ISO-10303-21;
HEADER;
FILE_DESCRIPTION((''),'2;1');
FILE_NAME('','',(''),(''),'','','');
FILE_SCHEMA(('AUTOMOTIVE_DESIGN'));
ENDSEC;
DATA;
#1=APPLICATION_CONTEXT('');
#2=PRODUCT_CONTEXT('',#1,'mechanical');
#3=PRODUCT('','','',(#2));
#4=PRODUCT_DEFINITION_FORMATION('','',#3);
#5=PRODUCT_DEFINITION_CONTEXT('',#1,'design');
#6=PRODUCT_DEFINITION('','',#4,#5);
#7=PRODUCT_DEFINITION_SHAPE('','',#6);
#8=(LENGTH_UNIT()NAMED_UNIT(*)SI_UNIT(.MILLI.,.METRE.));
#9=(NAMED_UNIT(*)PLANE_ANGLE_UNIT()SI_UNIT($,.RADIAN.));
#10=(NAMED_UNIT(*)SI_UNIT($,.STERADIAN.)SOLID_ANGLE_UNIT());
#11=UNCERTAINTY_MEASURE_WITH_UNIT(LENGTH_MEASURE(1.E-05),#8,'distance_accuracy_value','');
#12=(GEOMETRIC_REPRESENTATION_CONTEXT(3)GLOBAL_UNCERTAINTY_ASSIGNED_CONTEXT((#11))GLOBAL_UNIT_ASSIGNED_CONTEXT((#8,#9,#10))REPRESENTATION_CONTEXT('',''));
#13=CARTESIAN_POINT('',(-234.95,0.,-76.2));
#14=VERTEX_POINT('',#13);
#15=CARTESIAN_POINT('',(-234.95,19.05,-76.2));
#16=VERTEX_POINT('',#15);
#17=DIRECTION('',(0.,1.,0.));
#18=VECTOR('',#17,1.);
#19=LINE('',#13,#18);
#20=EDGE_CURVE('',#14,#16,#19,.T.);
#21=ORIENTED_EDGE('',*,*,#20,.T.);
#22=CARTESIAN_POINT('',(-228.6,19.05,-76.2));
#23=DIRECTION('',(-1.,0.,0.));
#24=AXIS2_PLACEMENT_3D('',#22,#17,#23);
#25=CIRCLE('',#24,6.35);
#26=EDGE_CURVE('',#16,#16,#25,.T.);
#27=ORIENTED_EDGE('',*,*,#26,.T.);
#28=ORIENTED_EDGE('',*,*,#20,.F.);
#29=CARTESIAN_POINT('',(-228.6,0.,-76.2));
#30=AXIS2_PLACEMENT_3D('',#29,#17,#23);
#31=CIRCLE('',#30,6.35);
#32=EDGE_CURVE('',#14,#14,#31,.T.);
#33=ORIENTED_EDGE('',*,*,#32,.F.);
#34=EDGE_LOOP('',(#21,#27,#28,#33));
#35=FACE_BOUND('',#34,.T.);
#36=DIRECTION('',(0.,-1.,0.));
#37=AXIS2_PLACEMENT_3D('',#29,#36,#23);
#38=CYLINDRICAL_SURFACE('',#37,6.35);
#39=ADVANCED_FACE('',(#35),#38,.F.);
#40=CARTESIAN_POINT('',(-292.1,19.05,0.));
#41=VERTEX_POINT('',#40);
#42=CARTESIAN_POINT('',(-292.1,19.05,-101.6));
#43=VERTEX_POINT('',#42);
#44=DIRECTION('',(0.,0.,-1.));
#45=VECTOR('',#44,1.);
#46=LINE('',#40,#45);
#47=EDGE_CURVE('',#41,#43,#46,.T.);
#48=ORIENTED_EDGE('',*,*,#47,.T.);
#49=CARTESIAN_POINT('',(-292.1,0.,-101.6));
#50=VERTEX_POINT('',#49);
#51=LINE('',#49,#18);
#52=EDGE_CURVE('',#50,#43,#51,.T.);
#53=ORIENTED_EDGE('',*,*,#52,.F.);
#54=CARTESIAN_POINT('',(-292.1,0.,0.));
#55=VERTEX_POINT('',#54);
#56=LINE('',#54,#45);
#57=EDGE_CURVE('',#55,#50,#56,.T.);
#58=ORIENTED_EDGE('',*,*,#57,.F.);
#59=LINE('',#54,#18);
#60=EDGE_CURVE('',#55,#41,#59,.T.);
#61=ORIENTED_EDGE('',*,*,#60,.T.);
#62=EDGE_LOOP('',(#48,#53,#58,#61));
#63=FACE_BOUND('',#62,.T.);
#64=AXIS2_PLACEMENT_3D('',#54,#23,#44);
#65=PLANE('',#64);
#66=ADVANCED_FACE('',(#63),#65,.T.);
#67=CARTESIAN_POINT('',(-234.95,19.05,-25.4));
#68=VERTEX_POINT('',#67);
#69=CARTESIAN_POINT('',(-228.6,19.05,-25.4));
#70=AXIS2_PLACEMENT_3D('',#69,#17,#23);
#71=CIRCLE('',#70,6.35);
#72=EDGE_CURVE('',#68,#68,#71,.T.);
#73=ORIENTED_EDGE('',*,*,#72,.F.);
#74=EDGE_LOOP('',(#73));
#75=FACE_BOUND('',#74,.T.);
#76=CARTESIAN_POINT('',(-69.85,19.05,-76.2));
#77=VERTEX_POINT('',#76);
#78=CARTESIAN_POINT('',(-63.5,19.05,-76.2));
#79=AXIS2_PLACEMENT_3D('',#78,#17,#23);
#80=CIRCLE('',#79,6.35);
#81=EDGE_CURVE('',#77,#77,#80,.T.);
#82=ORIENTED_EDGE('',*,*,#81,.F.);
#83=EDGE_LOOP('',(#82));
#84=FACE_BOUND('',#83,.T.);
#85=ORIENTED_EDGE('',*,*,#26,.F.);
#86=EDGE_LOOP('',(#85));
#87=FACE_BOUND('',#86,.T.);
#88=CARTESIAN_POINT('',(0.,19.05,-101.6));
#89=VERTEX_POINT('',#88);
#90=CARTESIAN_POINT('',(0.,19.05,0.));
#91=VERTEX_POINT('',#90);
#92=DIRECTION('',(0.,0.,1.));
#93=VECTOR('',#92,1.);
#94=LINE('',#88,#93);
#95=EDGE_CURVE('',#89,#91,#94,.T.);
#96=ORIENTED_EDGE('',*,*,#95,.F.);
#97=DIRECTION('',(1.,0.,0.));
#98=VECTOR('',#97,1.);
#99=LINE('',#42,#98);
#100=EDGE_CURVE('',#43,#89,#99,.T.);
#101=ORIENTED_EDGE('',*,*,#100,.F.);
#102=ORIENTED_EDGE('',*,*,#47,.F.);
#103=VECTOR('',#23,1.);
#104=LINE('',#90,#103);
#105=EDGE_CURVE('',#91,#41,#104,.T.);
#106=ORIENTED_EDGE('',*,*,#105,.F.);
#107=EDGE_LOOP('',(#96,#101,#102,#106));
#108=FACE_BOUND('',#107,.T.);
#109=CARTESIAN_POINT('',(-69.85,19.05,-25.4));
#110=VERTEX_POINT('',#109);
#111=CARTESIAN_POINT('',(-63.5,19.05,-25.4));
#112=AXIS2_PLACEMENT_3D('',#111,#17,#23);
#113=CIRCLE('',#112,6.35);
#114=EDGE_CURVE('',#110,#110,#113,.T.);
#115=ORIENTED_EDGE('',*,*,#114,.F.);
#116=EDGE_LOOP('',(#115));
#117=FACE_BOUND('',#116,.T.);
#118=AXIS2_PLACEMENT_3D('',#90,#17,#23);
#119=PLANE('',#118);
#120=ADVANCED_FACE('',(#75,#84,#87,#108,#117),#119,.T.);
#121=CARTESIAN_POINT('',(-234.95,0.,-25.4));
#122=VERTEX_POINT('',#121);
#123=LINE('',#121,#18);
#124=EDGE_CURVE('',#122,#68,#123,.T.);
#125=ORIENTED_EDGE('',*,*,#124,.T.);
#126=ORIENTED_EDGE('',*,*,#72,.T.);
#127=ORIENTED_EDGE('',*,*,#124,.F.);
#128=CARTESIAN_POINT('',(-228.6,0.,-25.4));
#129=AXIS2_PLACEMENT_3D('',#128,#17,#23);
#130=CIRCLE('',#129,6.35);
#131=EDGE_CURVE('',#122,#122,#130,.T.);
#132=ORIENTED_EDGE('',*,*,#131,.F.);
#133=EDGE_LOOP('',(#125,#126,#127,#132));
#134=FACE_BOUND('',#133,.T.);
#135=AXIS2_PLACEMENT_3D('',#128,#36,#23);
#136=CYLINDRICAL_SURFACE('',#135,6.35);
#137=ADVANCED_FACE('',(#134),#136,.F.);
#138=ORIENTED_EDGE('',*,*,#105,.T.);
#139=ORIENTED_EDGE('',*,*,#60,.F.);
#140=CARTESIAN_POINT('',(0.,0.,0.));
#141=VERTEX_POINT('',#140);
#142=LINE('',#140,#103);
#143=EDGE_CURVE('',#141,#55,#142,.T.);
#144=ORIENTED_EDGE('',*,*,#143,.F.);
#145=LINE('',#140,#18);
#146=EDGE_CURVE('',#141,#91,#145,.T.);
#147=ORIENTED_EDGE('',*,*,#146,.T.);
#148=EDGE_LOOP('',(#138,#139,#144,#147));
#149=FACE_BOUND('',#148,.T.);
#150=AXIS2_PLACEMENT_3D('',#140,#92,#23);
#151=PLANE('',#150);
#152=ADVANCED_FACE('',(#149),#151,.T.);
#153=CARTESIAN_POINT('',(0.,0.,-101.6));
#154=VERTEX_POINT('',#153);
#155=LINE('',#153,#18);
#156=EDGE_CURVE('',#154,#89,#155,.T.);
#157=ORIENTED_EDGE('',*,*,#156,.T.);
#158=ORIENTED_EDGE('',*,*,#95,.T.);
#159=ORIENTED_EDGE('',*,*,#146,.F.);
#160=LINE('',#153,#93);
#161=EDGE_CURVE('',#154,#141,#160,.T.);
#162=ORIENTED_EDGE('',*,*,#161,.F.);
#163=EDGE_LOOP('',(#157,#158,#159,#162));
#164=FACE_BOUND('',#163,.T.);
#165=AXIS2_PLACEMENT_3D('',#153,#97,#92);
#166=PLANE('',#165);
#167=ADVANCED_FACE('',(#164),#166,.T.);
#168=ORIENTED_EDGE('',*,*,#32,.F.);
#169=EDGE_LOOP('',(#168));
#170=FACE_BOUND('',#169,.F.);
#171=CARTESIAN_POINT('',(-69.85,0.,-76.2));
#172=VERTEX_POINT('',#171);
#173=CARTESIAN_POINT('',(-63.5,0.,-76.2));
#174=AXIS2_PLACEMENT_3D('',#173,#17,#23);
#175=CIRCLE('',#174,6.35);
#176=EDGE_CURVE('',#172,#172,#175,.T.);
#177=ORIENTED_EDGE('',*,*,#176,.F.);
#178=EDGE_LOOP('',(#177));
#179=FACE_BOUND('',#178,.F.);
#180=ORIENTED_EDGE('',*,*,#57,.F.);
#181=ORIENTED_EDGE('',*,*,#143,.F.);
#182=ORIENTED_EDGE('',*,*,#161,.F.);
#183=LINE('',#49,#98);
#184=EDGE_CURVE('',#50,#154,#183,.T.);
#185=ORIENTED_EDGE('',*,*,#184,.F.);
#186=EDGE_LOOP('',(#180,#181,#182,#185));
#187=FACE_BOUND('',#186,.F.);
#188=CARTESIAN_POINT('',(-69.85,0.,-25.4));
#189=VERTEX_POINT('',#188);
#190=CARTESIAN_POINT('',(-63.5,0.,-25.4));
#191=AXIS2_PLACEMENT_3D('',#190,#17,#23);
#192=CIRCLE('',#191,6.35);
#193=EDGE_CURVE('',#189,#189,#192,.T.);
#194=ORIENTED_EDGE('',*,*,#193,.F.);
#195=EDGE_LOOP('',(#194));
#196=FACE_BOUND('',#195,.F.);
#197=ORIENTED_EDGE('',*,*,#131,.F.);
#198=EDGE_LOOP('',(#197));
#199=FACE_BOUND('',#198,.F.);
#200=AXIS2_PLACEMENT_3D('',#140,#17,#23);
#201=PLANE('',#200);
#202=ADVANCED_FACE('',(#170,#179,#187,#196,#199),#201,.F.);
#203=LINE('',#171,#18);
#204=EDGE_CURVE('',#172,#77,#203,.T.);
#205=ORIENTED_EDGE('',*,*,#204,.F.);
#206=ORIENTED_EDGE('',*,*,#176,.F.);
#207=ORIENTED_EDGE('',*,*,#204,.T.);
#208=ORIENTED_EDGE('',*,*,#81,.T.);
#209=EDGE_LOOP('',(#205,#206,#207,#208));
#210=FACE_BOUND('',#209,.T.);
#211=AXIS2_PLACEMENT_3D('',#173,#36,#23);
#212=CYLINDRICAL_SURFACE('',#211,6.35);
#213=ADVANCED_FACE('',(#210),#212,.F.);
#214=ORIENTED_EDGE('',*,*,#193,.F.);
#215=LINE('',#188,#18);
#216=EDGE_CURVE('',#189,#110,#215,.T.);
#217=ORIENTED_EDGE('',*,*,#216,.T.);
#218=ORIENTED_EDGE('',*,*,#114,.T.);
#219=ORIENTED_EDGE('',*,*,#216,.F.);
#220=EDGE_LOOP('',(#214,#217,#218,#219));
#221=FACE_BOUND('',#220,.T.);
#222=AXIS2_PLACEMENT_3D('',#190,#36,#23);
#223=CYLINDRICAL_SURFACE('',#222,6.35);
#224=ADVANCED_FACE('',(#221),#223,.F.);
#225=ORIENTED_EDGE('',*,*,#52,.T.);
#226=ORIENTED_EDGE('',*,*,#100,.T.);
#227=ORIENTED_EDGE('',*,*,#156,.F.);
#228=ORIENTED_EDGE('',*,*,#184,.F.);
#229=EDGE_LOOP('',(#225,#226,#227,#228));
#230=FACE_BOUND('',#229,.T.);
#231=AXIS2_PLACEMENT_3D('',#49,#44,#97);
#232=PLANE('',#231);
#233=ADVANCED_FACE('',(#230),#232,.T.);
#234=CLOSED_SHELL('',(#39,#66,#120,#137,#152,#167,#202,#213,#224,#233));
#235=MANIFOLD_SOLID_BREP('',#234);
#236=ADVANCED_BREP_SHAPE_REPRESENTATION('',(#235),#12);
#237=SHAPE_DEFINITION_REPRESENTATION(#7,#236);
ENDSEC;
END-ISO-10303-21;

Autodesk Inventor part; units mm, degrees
ref_plane "YZ Plane" through (0, 0, 0) normal (1, 0, 0) x (0, 1, 0)
ref_plane "XZ Plane" through (0, 0, 0) normal (0, 1, 0) x (-1, 0, 0)
ref_plane "XY Plane" through (0, 0, 0) normal (0, 0, 1) x (1, 0, 0)
sketch "Sketch1" plane through (0, 0, 0) normal (0, 1, 0) x (-1, 0, 0)
  line L0 (0, 0) -> (292.1, 0)
  line L1 (292.1, 0) -> (292.1, -101.6)
  line L2 (292.1, -101.6) -> (0, -101.6)
  line L3 (0, -101.6) -> (0, 0)
  circle A0 centre (228.6, -25.4) radius 6.35
  circle A1 centre (228.6, -76.2) radius 6.35
  circle A2 centre (63.5, -25.4) radius 6.35
  circle A3 centre (63.5, -76.2) radius 6.35
  dimension "d0" = 101.6
  dimension "d1" = 292.1
  dimension "d2" = 12.7
  dimension "d3" = 12.7
  dimension "d4" = 12.7
  dimension "d5" = 12.7
  dimension "d6" = 25.4
  dimension "d7" = 50.8
  dimension "d8" = 63.5
  dimension "d9" = 25.4
  dimension "d10" = 50.8
  dimension "d11" = 63.5
  dimension "d12" = 63.5
  dimension "d13" = 63.5
extrude "Extrusion1" add sketch "Sketch1" along normal blind 19.05
properties part number "Base"
